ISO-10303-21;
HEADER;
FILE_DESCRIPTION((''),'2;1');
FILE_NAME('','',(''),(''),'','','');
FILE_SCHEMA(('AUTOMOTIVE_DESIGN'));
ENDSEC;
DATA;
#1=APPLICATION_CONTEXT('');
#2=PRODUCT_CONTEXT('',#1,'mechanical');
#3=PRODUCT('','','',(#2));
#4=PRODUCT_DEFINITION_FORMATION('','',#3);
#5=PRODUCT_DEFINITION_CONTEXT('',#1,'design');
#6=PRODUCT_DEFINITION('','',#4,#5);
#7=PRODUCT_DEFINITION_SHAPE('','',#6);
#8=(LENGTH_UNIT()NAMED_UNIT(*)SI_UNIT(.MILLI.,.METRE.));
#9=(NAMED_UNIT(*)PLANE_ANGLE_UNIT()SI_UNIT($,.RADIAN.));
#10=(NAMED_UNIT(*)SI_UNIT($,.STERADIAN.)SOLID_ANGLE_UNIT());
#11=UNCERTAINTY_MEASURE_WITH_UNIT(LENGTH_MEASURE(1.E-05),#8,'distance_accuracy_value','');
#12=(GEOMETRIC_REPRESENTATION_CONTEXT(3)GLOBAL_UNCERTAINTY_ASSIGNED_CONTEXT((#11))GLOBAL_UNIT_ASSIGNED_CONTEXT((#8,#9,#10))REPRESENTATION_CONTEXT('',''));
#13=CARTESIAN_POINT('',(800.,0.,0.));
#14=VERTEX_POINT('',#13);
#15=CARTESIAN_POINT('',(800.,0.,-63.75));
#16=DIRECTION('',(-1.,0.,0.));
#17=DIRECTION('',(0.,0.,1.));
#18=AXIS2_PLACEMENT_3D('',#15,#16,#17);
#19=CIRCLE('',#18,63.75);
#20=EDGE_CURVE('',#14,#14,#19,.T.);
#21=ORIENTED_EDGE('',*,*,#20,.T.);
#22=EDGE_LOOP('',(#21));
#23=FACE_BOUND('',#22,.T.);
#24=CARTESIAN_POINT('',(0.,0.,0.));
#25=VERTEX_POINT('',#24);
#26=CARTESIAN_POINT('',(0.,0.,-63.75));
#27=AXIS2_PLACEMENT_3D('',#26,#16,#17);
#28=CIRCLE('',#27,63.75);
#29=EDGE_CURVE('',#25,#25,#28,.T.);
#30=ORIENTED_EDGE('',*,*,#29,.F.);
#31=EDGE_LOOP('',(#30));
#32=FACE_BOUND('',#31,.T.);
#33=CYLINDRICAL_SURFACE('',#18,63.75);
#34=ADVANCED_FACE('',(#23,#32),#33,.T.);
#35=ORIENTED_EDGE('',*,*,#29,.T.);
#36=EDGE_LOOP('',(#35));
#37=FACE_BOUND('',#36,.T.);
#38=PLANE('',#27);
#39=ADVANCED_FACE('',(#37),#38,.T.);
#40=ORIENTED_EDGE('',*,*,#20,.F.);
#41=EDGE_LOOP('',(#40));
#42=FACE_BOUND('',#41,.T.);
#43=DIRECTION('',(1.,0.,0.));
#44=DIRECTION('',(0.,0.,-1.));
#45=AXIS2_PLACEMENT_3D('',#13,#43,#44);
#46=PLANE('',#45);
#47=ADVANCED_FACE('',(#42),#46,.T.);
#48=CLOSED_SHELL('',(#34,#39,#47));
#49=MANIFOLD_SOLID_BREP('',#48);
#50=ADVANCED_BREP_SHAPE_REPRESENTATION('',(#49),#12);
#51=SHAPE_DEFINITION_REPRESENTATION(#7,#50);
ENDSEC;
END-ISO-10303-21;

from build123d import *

# Parameters (mm, degrees)
SKETCH2_W = 800
SKETCH2_H = 63.75


with BuildPart() as part:
    # Sketch2 → Revolve1 (revolve)
    with BuildSketch(Plane(origin=(0, 0, 0), x_dir=(1, 0, 0), z_dir=(0, 1, 0))):
        with Locations((400, 31.875)):
            Rectangle(SKETCH2_W, SKETCH2_H)
    revolve(axis=Axis((800, 0, -63.75), (-1, 0, 0)))


solid = part.part
